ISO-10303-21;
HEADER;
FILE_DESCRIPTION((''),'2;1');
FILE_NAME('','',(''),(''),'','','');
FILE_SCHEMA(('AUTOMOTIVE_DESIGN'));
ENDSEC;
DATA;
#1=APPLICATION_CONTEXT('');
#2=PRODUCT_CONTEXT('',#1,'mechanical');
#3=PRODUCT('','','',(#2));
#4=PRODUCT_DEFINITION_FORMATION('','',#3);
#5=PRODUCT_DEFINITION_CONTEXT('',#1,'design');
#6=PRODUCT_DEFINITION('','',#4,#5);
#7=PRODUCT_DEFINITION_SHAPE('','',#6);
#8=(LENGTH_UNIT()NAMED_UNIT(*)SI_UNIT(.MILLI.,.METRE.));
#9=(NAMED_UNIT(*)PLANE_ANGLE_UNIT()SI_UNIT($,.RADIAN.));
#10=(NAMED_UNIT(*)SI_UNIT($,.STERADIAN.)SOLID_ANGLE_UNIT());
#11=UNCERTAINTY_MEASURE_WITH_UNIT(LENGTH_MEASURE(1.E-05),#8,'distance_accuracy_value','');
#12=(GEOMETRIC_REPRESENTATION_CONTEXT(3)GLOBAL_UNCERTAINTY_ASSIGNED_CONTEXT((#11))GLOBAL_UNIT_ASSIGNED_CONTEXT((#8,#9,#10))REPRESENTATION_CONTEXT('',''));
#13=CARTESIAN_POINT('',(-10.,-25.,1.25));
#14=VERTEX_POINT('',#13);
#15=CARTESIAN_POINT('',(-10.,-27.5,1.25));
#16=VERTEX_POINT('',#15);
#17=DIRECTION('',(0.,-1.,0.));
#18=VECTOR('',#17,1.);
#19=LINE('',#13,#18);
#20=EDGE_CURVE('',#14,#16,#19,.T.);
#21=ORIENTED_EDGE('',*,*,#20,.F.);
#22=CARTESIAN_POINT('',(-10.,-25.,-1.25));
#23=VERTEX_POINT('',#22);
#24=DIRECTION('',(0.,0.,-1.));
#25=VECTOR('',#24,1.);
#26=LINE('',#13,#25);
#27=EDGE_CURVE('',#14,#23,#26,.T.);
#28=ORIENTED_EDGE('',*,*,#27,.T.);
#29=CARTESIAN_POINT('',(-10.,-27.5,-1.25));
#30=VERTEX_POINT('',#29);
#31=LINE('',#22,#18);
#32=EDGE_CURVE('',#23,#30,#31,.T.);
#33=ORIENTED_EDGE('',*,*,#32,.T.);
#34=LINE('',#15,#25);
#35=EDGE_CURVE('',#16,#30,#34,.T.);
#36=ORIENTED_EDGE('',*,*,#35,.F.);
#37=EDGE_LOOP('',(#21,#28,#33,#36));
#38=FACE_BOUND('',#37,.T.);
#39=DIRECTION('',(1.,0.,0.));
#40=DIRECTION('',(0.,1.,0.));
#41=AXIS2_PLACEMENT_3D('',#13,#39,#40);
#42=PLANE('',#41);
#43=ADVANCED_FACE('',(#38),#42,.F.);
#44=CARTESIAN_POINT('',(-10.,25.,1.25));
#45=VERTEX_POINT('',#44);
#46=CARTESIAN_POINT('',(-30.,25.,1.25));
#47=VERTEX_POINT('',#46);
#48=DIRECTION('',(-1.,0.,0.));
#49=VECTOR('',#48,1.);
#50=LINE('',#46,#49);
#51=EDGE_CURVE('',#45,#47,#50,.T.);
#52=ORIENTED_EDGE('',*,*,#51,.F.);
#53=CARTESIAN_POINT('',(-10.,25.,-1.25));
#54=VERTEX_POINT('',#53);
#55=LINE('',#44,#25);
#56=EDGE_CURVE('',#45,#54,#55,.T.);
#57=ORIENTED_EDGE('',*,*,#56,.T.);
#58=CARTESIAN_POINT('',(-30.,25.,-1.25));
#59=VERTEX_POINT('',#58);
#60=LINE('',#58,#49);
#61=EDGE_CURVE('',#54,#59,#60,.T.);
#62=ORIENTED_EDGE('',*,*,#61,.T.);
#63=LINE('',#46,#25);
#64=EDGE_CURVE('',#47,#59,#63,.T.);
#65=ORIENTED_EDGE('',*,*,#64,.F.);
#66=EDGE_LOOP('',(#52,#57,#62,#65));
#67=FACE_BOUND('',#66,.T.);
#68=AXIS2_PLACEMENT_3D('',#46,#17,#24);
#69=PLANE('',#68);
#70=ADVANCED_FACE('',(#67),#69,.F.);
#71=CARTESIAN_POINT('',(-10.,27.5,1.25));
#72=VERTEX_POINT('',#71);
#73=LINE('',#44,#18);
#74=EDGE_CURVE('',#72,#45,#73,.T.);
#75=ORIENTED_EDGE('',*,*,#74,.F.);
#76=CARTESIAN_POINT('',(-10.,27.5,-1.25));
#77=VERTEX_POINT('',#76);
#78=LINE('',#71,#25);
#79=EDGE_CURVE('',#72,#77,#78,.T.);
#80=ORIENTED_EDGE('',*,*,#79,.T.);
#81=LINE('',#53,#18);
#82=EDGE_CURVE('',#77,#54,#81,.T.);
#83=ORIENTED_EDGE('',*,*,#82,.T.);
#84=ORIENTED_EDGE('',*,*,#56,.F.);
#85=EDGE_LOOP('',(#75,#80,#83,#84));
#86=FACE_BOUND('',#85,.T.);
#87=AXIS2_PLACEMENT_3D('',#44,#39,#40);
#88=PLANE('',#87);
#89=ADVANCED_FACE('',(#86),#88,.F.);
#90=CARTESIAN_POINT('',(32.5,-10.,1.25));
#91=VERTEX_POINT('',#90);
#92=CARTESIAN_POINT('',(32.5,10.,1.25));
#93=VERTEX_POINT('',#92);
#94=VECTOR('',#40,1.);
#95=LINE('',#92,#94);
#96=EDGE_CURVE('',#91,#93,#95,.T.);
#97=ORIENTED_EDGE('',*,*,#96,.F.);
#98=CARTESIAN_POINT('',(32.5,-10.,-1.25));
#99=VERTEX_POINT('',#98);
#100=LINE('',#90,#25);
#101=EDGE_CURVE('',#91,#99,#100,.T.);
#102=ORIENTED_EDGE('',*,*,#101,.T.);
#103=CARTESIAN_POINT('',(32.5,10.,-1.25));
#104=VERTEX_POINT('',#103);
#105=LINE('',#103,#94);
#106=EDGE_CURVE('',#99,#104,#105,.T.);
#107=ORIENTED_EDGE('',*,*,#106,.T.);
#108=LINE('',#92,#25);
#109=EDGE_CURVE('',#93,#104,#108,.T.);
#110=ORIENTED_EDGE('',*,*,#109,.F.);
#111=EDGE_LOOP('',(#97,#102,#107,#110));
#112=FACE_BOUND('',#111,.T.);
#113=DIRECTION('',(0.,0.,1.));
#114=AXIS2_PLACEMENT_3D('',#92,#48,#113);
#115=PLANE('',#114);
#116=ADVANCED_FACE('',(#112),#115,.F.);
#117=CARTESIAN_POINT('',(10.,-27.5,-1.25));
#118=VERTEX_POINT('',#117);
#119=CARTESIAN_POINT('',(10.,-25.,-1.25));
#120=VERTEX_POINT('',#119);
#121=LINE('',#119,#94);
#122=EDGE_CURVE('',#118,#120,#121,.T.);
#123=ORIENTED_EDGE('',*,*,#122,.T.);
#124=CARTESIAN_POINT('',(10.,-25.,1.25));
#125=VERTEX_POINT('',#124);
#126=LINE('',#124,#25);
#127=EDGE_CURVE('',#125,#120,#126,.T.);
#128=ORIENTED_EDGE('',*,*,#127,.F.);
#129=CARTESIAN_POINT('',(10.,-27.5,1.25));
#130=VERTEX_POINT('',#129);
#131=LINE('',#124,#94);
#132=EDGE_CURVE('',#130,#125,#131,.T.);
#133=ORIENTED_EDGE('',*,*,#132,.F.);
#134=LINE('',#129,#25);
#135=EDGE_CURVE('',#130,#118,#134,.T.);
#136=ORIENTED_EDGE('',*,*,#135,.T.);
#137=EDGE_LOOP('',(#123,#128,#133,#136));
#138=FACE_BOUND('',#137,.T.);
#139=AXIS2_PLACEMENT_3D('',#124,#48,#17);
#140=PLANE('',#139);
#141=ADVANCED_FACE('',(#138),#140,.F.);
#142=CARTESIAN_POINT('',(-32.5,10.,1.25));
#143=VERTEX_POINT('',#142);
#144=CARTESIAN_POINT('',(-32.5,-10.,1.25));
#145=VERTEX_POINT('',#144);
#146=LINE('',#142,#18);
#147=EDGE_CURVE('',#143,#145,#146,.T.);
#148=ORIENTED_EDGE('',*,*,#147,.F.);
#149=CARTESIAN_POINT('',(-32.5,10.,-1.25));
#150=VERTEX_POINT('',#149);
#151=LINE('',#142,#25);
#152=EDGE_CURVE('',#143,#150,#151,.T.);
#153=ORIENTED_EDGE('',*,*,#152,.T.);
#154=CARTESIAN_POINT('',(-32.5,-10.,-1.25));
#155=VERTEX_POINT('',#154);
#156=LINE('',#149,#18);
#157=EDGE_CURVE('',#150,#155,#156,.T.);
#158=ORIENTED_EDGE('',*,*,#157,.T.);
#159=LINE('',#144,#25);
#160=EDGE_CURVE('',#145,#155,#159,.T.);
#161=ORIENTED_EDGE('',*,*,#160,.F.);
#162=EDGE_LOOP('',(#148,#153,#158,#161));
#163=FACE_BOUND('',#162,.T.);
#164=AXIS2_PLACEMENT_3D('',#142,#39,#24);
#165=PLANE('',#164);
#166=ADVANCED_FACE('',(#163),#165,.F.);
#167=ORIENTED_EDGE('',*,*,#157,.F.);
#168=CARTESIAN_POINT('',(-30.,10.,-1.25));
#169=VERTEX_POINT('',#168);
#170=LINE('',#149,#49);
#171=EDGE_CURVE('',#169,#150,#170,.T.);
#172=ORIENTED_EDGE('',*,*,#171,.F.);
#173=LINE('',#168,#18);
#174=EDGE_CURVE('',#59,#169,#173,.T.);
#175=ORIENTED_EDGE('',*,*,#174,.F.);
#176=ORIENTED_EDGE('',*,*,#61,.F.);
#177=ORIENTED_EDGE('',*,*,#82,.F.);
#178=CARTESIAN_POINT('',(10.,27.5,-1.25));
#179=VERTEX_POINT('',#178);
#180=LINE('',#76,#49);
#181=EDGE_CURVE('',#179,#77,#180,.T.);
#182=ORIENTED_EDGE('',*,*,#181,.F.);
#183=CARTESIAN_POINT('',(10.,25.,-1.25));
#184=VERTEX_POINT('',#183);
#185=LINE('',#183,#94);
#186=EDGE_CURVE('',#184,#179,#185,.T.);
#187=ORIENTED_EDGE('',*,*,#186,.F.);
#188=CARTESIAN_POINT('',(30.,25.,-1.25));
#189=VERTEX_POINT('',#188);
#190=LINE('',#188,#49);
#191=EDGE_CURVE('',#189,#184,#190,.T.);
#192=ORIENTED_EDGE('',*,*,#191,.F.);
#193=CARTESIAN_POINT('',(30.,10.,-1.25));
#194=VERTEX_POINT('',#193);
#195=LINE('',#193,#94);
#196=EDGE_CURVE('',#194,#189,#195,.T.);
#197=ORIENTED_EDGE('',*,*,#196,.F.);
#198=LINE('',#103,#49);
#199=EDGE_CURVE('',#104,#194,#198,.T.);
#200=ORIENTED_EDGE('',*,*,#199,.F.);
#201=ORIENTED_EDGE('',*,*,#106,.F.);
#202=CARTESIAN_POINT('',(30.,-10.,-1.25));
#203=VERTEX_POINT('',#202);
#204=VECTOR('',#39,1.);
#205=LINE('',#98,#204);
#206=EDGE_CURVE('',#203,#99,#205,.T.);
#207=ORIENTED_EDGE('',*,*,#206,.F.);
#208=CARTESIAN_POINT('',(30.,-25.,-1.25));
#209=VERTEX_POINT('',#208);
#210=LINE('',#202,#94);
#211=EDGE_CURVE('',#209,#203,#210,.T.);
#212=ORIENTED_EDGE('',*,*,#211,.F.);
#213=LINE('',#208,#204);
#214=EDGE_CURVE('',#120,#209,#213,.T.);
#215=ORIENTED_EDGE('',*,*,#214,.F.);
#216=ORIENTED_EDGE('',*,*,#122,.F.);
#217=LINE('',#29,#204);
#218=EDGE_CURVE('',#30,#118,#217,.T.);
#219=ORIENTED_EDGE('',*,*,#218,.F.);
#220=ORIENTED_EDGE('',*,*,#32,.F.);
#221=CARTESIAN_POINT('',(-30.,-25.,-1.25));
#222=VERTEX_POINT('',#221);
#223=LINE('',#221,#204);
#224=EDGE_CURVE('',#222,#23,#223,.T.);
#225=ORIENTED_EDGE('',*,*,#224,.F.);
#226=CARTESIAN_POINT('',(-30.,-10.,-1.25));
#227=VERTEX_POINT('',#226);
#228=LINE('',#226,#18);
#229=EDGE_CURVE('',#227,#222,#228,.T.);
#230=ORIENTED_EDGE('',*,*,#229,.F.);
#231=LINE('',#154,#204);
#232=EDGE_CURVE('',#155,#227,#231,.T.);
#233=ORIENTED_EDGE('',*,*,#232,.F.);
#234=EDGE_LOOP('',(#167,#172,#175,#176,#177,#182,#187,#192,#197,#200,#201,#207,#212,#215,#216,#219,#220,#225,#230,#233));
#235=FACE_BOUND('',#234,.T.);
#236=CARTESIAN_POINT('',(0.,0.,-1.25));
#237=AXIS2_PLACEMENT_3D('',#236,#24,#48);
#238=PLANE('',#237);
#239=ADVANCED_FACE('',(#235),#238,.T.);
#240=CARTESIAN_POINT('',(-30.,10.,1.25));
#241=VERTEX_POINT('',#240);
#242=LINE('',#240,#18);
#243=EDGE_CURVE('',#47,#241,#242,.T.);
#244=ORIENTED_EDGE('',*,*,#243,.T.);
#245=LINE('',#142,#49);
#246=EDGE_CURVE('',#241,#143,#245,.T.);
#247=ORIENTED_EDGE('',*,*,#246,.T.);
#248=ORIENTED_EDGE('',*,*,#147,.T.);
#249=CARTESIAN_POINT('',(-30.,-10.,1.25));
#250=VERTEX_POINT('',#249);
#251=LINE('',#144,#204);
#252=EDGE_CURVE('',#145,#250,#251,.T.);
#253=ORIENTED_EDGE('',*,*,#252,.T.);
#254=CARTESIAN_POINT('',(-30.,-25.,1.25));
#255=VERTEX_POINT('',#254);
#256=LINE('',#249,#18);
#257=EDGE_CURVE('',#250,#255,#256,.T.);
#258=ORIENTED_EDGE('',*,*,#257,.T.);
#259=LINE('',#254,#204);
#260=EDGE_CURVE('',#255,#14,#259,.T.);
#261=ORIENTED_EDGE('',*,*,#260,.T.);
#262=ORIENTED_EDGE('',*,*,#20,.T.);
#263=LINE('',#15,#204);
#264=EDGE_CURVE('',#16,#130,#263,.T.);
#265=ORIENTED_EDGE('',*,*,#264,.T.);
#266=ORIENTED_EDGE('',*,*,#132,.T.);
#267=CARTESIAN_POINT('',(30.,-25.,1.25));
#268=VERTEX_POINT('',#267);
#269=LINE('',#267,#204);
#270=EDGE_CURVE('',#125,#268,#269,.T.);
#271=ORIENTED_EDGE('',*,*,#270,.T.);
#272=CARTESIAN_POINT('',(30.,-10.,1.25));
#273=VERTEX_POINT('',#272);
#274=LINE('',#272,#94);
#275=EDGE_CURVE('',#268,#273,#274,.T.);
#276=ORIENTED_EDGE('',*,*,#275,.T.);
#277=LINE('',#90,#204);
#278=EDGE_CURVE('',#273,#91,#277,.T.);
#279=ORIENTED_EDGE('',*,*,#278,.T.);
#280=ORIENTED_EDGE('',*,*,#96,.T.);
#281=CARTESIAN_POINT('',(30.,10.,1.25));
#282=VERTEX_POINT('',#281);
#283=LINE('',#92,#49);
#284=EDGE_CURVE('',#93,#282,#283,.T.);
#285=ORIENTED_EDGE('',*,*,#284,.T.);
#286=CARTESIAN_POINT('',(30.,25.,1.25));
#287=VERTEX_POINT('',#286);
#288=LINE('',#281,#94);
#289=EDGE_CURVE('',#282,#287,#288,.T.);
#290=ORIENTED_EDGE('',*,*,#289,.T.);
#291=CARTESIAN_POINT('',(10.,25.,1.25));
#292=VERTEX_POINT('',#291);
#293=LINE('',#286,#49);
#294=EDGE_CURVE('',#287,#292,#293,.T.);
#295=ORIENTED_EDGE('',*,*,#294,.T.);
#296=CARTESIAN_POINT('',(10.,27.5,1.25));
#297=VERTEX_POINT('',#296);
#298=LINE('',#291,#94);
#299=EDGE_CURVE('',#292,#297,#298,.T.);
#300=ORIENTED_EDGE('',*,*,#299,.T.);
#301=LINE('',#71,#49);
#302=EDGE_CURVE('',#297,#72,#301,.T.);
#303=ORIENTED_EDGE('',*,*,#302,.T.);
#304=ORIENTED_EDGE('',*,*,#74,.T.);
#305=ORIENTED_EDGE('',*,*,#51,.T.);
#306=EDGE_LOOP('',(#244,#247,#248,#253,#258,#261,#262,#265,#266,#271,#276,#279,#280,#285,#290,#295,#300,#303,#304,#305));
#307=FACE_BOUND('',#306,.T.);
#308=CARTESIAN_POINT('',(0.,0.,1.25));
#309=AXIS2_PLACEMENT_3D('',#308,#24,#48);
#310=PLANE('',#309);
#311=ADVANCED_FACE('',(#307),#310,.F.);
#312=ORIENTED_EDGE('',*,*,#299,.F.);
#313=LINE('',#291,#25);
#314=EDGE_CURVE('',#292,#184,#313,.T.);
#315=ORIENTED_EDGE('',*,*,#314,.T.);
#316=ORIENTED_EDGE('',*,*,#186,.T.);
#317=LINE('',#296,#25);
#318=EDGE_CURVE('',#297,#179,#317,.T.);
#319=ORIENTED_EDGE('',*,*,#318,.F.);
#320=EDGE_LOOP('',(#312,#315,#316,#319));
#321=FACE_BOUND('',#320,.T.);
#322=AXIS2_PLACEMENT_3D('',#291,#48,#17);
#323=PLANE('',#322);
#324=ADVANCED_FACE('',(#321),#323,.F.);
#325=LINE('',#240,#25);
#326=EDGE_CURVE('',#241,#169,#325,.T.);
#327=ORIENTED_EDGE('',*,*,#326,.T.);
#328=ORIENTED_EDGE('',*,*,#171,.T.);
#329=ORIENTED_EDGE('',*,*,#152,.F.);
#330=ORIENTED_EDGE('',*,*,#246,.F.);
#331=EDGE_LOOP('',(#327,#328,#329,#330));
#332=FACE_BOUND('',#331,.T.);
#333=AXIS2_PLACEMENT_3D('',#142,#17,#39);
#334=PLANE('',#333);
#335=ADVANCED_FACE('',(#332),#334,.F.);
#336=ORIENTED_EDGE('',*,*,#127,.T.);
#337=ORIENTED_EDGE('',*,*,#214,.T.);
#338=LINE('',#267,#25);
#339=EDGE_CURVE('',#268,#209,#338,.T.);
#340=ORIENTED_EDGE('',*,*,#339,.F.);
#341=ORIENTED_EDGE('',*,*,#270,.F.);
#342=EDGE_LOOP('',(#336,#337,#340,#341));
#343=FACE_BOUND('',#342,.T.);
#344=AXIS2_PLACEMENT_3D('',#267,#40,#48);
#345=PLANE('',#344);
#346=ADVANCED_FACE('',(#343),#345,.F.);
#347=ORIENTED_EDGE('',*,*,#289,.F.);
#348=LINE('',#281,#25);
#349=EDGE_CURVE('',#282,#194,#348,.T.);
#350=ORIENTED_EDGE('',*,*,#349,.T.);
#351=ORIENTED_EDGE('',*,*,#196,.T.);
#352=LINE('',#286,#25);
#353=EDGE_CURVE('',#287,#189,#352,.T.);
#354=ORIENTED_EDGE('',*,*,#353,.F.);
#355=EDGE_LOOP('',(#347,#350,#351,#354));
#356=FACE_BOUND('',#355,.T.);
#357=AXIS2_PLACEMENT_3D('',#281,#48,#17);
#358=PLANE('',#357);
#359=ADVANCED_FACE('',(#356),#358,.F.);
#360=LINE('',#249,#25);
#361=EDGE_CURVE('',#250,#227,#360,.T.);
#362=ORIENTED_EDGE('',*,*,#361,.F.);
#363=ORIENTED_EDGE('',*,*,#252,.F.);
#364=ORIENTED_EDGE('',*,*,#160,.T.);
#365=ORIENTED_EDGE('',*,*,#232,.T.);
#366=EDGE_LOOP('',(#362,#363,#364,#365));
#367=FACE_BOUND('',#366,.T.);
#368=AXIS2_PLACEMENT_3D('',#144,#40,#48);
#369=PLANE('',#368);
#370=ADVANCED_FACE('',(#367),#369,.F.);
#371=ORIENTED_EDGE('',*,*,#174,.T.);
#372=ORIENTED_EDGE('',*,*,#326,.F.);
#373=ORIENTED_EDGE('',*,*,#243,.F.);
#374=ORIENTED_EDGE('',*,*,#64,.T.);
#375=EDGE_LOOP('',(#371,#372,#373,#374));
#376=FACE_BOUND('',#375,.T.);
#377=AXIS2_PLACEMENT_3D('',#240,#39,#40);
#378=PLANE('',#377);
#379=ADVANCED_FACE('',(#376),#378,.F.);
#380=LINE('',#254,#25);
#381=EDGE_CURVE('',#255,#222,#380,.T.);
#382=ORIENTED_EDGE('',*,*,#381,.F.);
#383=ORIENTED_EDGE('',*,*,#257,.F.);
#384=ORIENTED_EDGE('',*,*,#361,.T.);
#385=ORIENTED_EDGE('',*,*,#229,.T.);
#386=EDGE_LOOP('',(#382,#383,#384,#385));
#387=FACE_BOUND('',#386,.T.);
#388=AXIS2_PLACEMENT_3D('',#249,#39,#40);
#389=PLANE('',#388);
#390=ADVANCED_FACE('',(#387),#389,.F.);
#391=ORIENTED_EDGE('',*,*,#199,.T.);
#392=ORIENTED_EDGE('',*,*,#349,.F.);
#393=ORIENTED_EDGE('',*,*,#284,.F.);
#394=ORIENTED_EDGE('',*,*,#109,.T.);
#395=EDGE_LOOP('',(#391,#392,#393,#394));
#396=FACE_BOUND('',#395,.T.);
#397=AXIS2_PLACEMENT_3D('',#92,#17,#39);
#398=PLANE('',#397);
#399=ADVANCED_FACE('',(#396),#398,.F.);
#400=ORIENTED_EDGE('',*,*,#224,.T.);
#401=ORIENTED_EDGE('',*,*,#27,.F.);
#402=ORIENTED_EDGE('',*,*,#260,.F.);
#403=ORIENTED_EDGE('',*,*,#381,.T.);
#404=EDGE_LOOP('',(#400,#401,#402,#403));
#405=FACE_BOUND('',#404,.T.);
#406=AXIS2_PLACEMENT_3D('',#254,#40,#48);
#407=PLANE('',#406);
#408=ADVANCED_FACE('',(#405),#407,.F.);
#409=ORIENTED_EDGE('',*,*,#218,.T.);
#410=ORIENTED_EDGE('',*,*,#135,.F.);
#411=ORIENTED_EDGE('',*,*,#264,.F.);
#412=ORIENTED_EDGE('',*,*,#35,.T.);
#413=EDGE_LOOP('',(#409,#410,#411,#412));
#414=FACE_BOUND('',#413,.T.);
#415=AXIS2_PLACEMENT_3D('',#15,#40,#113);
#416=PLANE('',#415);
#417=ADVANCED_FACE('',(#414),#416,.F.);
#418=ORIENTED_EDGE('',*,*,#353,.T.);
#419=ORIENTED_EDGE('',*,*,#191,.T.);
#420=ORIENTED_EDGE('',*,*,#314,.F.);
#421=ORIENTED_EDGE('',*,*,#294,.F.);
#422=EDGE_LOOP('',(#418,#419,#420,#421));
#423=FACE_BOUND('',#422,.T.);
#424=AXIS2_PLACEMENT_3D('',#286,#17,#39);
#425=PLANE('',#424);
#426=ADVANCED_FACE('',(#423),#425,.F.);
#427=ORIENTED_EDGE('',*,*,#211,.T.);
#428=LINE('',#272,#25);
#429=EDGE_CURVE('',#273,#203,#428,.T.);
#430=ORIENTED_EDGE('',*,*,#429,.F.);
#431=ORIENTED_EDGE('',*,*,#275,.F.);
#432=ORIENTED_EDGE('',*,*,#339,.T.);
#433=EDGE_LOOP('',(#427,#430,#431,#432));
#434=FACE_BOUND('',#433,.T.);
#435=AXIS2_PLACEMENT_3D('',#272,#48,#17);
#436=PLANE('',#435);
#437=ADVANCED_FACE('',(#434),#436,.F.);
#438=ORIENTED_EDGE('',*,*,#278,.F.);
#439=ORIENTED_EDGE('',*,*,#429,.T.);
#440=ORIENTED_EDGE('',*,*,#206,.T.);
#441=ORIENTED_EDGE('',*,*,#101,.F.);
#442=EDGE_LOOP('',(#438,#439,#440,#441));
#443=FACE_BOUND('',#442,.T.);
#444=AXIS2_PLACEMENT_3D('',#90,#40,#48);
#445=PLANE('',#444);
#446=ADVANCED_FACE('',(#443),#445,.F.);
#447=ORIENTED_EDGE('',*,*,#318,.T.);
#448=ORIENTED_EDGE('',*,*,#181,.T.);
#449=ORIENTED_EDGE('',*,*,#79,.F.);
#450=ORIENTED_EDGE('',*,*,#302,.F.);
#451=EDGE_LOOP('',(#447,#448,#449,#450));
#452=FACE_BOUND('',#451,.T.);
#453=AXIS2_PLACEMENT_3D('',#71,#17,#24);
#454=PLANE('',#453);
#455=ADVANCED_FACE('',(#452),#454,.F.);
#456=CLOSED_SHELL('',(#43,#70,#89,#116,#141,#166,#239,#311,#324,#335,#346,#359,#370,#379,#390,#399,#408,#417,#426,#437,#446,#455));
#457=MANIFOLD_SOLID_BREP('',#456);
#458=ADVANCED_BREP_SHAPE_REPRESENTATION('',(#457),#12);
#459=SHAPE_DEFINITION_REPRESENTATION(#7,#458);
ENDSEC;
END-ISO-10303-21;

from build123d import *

# Parameters (mm, degrees)
BOSS_EXTRUDE1_DEPTH = 1.25


with BuildPart() as part:
    # Sketch1 → Boss-Extrude1 (new, symmetric)
    with BuildSketch(Plane.XY):
        Polygon((-32.5, 10), (-32.5, -10), (-30, -10), (-30, -25), (-10, -25), (-10, -27.5), (10, -27.5), (10, -25), (30, -25), (30, -10), (32.5, -10), (32.5, 10), (30, 10), (30, 25), (10, 25), (10, 27.5), (-10, 27.5), (-10, 25), (-30, 25), (-30, 10), align=None)
    extrude(amount=BOSS_EXTRUDE1_DEPTH, both=True)


solid = part.part
